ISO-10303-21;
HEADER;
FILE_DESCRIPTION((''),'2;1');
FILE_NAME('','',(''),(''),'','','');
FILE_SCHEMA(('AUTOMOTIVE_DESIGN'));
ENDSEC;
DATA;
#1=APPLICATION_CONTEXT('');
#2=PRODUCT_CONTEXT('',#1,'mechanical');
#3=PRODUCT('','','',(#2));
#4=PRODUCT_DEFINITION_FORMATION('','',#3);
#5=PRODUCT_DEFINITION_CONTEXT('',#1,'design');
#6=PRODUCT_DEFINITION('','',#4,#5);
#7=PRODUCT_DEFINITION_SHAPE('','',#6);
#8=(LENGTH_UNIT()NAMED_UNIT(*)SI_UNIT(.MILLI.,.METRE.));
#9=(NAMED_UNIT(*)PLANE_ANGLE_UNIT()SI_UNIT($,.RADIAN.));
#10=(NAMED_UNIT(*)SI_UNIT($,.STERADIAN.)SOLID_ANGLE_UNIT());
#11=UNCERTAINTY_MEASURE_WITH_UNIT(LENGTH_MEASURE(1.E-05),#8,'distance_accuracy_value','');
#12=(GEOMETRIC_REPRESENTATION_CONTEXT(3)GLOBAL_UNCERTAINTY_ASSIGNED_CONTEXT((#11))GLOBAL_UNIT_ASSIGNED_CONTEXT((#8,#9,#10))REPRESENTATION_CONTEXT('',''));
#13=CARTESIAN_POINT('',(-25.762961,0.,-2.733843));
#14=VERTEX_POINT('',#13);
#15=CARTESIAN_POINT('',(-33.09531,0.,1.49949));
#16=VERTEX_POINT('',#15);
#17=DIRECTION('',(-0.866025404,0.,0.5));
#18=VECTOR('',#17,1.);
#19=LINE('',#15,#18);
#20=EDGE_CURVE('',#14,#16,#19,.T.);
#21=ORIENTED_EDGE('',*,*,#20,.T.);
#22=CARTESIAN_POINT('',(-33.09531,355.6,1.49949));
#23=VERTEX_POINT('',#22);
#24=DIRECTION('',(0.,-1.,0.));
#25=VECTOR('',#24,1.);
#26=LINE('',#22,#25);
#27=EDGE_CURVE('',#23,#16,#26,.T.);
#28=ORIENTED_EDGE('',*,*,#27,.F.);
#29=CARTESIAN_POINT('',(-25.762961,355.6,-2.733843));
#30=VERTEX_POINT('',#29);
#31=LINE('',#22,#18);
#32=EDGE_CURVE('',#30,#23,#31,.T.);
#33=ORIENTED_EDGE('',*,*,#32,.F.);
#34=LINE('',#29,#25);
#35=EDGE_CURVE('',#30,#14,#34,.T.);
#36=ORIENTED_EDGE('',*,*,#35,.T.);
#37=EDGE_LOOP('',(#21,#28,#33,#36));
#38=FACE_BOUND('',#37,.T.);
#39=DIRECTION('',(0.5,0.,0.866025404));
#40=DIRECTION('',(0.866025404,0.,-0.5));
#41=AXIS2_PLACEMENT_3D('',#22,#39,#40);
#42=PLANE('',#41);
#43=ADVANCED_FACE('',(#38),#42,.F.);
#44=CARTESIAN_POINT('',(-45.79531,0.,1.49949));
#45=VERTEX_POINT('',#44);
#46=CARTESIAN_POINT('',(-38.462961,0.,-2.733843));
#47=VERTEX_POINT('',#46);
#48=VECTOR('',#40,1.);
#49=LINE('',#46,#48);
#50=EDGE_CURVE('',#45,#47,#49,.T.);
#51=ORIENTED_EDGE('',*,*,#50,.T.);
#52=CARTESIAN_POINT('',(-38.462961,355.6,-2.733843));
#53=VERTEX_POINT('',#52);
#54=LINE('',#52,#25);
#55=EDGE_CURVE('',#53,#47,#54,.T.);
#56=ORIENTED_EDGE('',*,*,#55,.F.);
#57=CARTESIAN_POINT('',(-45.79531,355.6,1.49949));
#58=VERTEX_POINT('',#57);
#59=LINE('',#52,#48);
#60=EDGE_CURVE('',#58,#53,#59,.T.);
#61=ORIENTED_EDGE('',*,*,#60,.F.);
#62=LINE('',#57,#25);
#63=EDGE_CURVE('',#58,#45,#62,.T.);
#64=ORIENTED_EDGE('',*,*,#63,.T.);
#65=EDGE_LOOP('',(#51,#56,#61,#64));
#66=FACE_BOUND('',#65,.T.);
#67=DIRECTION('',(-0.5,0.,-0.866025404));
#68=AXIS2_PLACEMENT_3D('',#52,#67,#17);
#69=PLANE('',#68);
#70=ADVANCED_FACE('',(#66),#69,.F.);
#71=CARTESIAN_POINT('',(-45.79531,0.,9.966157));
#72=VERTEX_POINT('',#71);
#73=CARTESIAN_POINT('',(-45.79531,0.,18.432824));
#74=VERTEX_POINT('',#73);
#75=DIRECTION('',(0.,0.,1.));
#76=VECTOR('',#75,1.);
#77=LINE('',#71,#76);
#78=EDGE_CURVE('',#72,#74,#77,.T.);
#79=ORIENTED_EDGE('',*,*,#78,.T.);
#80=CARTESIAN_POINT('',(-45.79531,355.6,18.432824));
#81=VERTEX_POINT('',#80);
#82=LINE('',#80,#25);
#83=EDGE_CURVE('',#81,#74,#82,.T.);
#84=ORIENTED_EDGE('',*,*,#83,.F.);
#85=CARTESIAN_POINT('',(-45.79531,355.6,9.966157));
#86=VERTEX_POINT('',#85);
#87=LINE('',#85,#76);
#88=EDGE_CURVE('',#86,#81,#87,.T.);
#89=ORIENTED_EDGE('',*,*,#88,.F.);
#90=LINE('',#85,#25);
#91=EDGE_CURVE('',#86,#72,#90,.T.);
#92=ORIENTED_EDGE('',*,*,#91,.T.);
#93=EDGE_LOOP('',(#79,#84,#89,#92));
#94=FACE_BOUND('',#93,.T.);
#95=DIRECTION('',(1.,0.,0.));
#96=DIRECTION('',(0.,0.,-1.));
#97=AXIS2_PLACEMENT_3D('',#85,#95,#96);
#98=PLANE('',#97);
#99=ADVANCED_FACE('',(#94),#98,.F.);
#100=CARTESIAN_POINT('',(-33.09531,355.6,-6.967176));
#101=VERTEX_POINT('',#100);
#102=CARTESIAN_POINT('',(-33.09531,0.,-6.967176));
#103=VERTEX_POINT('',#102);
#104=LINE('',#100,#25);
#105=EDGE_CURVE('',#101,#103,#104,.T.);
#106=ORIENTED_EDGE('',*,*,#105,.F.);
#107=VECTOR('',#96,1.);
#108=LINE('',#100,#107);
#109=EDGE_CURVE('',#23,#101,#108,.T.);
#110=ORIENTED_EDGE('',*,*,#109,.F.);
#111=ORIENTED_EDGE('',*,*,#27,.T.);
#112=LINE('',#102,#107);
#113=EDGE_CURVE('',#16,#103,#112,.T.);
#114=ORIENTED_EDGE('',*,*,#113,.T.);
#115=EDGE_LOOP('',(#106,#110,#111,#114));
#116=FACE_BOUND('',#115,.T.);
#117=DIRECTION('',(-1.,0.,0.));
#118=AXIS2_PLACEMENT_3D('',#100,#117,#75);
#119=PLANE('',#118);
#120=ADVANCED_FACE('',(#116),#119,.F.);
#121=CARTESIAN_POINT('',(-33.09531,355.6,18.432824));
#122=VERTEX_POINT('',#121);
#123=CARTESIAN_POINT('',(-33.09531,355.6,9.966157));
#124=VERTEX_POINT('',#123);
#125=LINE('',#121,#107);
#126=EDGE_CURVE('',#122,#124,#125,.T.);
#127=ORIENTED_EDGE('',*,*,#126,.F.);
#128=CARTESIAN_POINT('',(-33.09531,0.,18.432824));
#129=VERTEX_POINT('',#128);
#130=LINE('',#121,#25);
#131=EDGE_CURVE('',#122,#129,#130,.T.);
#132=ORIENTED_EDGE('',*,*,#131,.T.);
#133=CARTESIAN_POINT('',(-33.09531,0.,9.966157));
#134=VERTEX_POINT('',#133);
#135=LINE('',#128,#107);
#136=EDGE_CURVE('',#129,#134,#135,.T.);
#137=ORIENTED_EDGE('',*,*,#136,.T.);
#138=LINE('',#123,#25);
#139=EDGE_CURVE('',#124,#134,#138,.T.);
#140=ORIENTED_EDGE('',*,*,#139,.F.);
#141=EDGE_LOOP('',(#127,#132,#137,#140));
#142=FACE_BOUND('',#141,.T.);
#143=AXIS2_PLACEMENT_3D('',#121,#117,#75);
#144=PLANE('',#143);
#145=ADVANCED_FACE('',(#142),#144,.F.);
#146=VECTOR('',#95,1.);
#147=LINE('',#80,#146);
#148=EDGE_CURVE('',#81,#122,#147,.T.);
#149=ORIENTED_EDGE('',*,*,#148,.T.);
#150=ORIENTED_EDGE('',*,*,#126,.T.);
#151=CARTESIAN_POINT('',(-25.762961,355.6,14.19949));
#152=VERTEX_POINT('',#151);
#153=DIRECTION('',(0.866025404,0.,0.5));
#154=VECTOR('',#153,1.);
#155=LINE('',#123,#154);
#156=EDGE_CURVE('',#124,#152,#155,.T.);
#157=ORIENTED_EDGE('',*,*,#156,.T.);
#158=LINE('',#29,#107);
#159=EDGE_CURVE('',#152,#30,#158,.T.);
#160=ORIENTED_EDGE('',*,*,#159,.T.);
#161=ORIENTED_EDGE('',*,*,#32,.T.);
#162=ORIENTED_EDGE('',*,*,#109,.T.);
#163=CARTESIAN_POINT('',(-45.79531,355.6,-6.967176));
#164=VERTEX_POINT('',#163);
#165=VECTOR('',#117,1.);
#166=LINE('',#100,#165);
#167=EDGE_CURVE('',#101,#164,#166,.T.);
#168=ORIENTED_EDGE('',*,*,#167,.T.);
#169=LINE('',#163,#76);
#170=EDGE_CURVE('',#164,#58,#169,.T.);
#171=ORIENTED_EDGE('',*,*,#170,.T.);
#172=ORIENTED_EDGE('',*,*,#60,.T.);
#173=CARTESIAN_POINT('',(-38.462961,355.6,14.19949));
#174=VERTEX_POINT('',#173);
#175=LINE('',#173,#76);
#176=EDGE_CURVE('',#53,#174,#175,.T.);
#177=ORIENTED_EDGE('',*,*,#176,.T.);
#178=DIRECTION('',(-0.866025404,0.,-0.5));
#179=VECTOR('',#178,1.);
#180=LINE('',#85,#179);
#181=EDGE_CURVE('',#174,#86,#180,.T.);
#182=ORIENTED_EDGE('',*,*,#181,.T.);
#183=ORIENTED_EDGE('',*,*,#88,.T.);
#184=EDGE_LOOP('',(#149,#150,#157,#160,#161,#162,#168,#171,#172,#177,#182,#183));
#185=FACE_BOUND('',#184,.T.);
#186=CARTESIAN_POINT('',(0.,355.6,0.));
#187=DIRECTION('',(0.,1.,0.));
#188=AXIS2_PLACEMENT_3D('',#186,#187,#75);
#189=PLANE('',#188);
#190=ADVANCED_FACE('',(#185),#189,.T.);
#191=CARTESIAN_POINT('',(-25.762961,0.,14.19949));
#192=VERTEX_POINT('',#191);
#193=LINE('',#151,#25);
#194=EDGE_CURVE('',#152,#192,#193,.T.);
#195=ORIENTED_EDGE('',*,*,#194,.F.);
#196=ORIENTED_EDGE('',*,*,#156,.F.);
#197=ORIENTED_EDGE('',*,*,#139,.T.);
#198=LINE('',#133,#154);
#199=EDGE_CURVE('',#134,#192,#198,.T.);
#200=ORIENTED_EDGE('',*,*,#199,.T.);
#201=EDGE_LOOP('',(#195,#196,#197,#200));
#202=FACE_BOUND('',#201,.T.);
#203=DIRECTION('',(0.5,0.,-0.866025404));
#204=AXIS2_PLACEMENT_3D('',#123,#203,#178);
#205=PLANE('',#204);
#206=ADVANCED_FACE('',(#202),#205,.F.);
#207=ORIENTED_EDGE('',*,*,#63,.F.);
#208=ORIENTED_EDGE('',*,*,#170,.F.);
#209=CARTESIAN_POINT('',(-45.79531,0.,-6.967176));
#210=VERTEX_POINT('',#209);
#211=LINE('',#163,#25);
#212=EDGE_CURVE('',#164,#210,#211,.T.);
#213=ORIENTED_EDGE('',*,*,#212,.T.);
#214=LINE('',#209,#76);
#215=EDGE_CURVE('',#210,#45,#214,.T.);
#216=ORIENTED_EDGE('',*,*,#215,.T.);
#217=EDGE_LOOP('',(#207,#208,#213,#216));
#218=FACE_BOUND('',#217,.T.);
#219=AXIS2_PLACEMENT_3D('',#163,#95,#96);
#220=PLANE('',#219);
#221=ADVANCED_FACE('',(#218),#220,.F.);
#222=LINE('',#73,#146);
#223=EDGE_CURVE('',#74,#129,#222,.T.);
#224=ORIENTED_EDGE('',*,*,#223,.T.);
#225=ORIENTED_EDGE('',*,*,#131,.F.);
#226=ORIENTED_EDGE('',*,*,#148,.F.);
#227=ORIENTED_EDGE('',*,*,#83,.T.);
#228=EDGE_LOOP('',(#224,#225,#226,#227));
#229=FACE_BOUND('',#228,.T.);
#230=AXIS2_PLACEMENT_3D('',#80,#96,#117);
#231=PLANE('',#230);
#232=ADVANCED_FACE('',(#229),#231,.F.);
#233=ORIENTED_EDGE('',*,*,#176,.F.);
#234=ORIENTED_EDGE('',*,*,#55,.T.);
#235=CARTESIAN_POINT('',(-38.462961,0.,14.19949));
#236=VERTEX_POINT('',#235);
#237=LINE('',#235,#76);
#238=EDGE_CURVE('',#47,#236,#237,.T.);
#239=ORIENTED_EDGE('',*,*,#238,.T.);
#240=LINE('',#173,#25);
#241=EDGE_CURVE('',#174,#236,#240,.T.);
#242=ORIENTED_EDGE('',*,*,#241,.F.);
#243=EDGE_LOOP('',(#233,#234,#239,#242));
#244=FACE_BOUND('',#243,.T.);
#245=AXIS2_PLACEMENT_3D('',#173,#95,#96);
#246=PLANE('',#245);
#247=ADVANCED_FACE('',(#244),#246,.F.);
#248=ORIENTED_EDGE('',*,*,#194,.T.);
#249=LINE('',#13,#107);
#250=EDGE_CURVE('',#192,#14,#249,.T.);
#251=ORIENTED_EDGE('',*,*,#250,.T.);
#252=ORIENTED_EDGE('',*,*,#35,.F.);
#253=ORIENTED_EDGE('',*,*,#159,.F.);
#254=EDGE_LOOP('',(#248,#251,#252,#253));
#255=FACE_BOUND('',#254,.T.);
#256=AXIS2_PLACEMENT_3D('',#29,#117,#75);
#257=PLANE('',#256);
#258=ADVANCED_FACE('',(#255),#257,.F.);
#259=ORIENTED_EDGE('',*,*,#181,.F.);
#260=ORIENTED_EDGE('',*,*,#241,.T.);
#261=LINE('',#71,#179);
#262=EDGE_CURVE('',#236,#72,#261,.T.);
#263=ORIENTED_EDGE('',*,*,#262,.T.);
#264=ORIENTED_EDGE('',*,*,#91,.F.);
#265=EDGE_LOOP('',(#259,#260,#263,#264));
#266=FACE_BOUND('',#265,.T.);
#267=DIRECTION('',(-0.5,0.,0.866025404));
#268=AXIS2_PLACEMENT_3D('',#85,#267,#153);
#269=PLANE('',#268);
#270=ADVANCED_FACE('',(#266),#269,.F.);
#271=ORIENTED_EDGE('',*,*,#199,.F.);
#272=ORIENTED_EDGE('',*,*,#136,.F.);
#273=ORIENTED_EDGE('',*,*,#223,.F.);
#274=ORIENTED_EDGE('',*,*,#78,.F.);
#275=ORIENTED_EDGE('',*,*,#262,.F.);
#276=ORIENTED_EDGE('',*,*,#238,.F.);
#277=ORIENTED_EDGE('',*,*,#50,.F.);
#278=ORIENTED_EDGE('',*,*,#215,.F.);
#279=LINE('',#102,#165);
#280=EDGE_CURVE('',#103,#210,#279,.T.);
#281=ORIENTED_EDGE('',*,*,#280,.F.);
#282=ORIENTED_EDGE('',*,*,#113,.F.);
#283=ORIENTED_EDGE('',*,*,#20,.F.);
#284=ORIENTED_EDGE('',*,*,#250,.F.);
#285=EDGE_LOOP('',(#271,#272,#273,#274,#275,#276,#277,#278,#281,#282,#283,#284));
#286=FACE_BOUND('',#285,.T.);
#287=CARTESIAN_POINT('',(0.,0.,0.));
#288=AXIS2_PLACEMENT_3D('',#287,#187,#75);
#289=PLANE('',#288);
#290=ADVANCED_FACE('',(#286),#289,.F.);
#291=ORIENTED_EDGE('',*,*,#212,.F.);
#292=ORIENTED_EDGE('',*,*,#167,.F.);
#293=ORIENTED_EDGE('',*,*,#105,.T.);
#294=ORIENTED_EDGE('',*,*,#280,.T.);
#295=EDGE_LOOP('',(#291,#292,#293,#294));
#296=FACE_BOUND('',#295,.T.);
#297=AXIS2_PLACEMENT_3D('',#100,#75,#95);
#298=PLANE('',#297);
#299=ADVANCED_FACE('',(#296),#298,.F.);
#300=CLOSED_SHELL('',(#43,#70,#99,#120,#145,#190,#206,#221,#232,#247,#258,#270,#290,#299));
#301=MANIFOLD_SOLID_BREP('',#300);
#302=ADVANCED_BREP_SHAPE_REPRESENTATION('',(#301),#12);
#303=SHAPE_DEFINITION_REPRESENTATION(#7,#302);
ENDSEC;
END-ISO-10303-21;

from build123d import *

# Parameters (mm, degrees)
BOSS_EXTRUDE1_DEPTH = 355.6


with BuildPart() as part:
    # Sketch1 → Boss-Extrude1 (new body)
    with BuildSketch(Plane(origin=(0, 0, 0), x_dir=(1, 0, 0), z_dir=(0, 1, 0))):
        Polygon((-33.095309751, 6.967176418), (-33.095309751, -1.499490249), (-25.762961333, 2.733843085), (-25.762961333, -14.199490249), (-33.095309751, -9.966156915), (-33.095309751, -18.432823582), (-45.795309751, -18.432823582), (-45.795309751, -9.966156915), (-38.462961333, -14.199490249), (-38.462961333, 2.733843085), (-45.795309751, -1.499490249), (-45.795309751, 6.967176418), align=None)
    extrude(amount=BOSS_EXTRUDE1_DEPTH)


solid = part.part
